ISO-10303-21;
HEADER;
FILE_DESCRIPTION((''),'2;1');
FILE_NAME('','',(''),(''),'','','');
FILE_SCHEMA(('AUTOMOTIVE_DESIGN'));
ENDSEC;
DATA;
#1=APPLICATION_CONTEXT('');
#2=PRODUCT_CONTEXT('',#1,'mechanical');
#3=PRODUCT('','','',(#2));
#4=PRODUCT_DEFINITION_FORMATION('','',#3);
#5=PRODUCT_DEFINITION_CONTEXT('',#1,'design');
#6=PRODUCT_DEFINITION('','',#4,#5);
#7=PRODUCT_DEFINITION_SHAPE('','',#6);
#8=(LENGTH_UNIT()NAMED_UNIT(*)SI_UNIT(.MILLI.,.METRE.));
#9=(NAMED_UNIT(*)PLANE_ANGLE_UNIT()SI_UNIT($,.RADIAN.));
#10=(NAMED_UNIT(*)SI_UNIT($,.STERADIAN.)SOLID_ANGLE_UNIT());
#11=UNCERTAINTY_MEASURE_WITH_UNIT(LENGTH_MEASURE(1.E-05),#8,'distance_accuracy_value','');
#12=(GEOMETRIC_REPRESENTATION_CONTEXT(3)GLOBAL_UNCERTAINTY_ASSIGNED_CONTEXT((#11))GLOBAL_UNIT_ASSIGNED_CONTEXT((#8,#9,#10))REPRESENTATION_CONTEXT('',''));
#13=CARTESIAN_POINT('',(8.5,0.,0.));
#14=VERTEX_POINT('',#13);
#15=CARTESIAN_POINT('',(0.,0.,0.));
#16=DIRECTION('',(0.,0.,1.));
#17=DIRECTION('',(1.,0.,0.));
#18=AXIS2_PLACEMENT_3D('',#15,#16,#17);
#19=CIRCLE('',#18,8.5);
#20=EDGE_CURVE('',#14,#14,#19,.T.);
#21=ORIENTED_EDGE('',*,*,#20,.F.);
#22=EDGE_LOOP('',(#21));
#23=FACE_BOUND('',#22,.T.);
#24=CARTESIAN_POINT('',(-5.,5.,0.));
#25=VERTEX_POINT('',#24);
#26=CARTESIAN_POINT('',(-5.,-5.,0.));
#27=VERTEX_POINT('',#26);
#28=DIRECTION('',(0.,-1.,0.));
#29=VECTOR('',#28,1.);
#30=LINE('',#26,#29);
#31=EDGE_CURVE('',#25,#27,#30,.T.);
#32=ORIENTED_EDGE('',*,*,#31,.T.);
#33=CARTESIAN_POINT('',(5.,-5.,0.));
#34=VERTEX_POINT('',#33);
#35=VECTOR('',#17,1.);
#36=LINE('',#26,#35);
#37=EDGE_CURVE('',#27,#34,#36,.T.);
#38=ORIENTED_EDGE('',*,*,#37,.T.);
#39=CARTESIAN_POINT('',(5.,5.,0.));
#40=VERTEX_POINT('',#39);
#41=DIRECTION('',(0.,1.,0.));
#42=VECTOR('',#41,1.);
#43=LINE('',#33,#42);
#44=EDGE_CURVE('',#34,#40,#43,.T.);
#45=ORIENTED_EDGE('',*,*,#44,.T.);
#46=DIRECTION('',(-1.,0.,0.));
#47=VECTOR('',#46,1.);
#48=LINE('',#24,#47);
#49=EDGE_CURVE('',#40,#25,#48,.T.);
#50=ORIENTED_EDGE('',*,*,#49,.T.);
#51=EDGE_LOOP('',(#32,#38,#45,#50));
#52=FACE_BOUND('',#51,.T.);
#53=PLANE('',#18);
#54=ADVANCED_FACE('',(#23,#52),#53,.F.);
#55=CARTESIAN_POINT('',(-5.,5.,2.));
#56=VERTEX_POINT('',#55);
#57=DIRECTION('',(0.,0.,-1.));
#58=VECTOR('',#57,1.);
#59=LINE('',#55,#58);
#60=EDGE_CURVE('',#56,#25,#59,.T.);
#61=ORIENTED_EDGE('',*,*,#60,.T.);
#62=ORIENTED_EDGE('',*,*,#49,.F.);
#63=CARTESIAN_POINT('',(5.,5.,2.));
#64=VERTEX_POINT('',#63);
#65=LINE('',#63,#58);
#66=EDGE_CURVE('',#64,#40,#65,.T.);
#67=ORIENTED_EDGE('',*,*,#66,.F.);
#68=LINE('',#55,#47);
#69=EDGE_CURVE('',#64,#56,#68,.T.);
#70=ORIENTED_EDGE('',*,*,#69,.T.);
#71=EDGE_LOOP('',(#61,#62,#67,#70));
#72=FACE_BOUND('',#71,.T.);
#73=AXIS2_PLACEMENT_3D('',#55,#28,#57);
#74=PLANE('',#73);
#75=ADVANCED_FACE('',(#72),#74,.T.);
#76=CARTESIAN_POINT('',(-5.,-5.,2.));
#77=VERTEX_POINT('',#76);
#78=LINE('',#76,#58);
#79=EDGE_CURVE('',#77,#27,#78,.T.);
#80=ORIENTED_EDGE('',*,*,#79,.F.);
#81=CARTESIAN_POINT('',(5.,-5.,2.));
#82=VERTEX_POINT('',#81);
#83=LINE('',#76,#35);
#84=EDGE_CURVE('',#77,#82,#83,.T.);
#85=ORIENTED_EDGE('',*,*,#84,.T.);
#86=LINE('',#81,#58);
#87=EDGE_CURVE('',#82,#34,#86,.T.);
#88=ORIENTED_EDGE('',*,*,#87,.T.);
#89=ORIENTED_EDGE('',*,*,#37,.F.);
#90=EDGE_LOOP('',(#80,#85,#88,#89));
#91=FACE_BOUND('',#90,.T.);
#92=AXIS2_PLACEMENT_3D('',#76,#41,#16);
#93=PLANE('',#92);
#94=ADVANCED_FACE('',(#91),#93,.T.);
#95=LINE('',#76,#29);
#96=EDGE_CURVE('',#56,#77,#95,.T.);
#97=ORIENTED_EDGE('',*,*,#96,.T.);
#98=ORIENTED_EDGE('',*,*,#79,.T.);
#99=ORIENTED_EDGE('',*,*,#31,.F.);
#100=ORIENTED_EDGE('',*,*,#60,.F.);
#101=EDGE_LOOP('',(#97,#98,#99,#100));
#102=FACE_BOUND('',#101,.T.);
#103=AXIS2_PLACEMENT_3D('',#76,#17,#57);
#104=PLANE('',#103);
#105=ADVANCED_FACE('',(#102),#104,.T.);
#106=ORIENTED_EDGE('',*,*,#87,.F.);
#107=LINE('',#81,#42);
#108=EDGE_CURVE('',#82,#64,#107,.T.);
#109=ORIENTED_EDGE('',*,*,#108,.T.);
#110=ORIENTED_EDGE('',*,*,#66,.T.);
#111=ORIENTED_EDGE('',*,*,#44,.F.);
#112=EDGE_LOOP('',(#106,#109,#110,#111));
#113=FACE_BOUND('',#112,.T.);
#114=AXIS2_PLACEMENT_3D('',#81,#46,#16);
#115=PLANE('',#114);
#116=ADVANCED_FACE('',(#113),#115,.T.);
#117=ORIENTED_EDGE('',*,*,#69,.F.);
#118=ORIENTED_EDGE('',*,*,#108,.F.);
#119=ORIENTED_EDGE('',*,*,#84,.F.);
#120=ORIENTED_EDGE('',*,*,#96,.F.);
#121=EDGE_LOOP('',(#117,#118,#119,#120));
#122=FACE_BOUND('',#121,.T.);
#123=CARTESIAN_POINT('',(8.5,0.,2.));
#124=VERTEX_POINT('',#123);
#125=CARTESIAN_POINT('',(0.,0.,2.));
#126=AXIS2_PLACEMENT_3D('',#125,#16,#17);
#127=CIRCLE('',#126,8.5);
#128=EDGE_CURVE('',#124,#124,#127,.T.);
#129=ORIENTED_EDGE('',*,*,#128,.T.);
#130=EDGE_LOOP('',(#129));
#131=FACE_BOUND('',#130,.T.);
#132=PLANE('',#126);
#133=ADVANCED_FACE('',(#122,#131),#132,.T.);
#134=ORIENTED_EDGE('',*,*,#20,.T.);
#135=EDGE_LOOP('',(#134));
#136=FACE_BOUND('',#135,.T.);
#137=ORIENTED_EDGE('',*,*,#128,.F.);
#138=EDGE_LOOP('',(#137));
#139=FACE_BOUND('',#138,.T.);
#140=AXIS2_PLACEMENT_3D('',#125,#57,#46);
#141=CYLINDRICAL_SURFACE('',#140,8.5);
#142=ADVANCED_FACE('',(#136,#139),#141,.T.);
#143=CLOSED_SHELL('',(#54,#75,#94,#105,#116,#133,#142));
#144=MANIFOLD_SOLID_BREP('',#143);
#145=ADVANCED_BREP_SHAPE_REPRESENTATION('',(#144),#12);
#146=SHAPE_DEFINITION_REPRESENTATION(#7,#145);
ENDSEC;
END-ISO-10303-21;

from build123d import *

# Parameters (mm, degrees)
MODEL_R             = 8.5
MODEL_W             = 10
MODEL_H             = 10
BOSS_EXTRUDE1_DEPTH = 2


with BuildPart() as part:
    # Model → Boss-Extrude1 (new body)
    with BuildSketch(Plane.XY):
        Circle(MODEL_R)
        Rectangle(MODEL_W, MODEL_H, mode=Mode.SUBTRACT)
    extrude(amount=BOSS_EXTRUDE1_DEPTH)


solid = part.part
